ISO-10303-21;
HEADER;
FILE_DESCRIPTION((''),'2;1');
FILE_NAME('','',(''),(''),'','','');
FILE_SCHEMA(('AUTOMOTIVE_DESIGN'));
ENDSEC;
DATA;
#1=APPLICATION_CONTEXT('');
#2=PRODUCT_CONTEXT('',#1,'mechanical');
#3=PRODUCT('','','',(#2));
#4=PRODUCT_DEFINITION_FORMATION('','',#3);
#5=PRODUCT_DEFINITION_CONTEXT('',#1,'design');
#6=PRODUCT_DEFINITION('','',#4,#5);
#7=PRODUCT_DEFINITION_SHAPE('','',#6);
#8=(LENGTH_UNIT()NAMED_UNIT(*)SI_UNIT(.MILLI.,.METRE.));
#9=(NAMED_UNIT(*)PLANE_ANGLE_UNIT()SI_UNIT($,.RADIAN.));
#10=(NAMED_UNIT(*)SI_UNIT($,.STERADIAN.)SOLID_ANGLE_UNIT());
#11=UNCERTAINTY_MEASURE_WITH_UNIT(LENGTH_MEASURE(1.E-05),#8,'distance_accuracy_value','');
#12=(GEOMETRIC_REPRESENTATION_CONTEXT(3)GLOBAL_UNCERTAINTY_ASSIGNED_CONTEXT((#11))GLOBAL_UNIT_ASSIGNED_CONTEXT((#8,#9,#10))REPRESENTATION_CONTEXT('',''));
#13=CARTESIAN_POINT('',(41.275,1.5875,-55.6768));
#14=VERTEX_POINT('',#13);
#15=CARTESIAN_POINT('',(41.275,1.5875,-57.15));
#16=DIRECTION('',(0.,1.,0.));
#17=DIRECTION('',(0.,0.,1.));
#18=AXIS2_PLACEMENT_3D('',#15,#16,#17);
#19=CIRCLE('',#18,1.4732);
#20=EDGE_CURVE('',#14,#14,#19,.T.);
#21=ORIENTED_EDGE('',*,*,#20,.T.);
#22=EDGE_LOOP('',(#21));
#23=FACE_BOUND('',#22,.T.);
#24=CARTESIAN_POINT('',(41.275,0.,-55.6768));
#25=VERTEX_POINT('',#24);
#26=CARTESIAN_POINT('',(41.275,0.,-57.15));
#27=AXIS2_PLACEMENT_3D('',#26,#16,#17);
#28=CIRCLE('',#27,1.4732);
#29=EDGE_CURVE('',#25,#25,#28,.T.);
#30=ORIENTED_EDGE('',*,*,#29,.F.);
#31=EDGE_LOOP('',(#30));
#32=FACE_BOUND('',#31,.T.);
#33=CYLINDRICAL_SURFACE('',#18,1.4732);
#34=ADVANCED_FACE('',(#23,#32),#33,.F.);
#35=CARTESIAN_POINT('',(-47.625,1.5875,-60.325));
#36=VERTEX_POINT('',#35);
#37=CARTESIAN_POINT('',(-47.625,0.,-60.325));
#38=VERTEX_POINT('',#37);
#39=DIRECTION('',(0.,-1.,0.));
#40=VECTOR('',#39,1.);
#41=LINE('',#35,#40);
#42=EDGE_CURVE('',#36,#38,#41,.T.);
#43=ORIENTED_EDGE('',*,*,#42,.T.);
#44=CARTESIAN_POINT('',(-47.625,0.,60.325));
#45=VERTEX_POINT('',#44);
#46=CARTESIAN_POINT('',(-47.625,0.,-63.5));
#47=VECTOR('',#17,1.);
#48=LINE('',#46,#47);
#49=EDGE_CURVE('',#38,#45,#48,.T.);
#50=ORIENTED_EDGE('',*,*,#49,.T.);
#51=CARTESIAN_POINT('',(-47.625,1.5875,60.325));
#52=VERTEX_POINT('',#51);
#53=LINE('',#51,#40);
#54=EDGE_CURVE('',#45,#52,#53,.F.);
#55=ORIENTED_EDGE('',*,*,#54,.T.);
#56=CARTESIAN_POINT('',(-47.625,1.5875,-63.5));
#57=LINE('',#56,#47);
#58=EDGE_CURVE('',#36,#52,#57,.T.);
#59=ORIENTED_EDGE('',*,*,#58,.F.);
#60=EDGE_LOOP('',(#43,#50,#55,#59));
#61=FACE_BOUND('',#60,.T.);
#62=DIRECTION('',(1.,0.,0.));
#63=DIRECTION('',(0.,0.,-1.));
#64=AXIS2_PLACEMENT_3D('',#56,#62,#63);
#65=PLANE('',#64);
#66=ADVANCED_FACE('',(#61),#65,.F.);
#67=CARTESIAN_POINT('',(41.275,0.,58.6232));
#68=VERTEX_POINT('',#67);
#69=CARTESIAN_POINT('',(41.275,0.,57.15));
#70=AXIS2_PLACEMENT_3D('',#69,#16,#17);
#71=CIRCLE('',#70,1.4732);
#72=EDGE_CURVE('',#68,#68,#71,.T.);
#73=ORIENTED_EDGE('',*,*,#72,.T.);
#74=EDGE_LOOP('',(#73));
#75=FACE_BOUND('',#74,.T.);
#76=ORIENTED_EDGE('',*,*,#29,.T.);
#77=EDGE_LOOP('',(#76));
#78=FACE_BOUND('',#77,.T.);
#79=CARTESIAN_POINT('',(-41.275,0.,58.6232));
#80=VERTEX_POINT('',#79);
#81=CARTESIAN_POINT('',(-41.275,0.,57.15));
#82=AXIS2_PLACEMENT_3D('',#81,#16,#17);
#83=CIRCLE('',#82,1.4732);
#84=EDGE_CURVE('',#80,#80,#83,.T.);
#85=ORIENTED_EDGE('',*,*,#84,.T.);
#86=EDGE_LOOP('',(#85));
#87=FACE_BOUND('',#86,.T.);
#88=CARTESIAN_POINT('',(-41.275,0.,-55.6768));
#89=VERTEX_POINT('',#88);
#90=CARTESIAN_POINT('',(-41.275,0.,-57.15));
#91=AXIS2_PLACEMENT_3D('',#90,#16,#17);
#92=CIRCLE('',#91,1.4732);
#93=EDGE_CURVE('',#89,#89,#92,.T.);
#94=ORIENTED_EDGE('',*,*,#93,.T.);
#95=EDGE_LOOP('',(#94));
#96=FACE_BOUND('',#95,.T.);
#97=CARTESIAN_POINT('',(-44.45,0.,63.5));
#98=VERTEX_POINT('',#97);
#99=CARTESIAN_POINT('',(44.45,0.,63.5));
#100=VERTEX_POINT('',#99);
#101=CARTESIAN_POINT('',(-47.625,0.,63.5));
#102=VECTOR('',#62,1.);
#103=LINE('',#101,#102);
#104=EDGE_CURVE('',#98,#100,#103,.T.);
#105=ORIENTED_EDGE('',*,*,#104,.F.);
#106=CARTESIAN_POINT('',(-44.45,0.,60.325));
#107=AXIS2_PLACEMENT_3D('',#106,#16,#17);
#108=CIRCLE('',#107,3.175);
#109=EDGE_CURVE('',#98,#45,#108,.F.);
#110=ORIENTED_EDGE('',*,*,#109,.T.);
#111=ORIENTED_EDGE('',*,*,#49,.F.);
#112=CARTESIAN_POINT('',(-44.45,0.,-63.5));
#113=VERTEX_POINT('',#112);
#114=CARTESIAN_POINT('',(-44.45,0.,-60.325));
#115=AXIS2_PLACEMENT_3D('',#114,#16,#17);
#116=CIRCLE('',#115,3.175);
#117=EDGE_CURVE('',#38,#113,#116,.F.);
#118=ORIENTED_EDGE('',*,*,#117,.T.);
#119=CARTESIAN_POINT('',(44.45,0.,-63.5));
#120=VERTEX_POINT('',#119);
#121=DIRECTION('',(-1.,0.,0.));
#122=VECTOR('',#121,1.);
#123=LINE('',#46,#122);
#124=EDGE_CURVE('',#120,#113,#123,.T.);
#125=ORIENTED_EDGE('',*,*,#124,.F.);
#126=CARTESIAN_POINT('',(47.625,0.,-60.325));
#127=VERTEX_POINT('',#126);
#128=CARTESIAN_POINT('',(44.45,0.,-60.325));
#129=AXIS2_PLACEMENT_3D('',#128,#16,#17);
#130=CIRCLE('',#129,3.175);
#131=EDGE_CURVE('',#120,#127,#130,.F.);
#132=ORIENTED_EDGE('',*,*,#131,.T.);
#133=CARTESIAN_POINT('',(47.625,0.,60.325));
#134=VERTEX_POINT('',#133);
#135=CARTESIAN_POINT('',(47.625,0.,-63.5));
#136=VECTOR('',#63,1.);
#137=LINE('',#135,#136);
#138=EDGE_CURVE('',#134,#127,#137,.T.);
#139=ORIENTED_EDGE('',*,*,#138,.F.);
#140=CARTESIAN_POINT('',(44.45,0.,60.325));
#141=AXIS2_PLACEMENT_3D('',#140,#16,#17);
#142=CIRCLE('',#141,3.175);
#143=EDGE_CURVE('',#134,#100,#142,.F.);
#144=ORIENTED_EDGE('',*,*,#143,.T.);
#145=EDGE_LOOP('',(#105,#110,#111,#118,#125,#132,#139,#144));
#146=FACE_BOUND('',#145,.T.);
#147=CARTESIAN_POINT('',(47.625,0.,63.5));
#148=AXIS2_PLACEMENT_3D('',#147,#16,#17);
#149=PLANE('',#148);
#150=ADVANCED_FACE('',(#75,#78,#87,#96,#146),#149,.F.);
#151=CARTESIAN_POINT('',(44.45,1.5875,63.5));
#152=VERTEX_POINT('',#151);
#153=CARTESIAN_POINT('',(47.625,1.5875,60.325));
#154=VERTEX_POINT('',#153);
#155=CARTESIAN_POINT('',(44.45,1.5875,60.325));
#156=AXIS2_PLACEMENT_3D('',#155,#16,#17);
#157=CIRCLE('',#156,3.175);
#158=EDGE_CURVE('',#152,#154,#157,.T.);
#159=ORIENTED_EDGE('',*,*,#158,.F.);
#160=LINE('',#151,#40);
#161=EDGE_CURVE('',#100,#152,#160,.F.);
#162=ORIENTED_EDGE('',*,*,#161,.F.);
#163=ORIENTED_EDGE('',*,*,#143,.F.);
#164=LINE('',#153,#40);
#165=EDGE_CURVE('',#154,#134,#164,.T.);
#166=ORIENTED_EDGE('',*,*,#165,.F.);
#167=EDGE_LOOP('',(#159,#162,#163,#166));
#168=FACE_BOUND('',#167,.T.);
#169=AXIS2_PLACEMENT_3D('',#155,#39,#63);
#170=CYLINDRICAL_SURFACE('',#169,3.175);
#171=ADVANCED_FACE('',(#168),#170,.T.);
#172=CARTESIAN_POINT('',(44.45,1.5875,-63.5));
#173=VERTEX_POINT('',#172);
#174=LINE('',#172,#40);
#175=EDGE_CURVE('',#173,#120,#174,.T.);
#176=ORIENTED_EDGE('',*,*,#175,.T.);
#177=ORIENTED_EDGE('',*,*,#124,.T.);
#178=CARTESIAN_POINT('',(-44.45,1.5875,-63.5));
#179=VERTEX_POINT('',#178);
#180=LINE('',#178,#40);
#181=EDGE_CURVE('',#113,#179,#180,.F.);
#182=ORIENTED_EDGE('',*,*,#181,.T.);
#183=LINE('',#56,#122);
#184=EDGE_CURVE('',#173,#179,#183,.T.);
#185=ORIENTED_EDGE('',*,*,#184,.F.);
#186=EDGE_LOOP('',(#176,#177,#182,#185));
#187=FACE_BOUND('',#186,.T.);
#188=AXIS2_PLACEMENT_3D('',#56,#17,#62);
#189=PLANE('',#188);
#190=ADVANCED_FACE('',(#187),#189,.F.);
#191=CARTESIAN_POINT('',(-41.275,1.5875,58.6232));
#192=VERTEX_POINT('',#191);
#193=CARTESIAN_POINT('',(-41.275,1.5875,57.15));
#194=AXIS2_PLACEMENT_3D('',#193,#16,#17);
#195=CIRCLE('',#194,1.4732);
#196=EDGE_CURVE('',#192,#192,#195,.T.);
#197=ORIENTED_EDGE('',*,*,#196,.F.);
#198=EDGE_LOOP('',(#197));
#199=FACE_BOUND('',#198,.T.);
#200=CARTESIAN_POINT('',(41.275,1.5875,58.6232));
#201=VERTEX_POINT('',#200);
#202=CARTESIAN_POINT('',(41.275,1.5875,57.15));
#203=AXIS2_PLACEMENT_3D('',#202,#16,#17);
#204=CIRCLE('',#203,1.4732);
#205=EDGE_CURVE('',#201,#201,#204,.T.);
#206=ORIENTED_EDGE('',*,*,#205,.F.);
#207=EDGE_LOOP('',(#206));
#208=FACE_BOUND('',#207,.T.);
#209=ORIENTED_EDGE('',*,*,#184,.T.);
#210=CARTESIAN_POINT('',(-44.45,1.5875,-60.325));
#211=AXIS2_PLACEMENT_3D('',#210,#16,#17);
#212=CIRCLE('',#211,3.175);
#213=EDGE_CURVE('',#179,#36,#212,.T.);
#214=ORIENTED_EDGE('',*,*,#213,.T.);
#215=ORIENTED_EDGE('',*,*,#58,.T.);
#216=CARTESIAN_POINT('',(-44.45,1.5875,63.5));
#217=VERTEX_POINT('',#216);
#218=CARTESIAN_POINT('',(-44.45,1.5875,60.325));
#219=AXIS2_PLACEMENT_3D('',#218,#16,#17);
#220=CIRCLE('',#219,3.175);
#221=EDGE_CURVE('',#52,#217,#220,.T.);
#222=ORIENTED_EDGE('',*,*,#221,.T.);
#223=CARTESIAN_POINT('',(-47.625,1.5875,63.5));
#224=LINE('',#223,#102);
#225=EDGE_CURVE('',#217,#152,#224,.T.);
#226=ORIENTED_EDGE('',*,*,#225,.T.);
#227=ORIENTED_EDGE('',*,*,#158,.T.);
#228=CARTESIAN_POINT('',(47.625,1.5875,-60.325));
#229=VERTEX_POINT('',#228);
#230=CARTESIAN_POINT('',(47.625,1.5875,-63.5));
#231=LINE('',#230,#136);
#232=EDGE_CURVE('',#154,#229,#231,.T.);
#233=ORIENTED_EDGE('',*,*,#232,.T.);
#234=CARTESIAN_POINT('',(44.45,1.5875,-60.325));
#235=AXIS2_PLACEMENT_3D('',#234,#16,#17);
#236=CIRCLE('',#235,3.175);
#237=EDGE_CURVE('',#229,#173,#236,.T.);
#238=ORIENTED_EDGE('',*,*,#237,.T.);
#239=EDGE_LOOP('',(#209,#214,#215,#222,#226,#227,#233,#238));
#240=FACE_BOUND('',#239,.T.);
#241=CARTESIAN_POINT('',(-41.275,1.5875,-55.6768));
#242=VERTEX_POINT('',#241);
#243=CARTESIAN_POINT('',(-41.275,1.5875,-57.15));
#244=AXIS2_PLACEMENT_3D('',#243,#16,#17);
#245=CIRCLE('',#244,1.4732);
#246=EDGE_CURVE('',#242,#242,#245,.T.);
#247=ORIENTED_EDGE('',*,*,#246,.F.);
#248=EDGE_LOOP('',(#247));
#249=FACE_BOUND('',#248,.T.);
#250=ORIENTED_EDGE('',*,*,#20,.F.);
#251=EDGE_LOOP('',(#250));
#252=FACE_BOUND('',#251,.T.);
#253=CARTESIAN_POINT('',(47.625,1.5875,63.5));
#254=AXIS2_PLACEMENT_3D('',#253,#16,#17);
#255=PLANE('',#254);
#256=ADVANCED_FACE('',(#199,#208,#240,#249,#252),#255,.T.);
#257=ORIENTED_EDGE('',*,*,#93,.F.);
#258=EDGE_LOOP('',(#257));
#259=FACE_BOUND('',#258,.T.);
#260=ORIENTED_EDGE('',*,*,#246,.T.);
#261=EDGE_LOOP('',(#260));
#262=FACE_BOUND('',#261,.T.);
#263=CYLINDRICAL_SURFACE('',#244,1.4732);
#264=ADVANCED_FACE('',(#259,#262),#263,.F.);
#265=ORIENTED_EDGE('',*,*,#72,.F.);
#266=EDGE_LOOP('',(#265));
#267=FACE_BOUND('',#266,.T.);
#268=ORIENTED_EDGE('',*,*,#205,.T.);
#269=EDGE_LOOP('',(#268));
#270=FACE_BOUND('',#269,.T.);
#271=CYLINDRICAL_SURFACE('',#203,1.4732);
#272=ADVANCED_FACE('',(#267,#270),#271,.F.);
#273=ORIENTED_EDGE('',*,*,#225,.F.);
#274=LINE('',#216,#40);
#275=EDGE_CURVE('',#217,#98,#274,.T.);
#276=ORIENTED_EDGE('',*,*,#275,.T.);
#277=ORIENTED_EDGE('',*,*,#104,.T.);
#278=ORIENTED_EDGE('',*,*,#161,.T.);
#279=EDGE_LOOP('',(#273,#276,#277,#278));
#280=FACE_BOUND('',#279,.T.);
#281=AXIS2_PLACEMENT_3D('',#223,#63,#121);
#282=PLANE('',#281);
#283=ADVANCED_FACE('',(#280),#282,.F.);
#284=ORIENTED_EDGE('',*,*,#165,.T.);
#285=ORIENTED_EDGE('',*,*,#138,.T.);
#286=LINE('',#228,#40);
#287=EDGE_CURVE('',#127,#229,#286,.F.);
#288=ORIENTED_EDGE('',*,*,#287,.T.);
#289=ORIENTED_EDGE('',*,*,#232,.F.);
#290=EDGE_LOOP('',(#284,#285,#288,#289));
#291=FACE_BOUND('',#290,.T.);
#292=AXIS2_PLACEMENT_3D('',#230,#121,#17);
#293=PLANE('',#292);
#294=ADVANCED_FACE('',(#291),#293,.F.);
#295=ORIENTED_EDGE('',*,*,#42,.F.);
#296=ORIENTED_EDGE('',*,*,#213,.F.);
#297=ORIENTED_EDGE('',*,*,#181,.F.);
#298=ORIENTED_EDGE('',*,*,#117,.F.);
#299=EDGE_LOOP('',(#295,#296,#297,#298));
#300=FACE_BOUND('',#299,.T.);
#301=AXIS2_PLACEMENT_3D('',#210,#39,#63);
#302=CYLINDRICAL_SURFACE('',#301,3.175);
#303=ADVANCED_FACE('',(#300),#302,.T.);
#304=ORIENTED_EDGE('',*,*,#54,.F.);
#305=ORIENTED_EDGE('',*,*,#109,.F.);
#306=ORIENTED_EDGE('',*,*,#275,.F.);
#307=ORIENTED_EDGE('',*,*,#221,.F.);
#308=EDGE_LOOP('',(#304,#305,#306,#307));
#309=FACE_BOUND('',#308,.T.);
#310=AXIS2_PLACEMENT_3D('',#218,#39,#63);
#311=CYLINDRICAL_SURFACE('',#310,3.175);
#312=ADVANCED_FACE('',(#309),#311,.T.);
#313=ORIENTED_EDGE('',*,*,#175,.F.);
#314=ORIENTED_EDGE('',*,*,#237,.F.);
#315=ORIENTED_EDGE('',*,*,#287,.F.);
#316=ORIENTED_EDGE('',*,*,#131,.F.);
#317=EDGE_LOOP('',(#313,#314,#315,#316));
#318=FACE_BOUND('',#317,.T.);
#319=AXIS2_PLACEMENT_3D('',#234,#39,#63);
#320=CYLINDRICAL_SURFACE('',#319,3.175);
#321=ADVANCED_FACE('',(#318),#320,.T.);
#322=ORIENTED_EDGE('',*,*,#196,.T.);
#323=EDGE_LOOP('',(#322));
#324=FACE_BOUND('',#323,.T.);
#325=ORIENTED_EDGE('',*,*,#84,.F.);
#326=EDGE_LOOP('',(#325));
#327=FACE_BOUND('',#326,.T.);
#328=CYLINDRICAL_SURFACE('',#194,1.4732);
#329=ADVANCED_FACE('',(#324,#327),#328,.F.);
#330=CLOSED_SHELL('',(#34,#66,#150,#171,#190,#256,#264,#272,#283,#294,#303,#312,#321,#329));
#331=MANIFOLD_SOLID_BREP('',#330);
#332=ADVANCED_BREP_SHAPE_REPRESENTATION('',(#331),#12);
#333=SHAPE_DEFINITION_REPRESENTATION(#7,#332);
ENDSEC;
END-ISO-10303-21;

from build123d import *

# Parameters (mm, degrees)
SKETCH1_W                 = 95.25
SKETCH1_H                 = 127
BOSS_EXTRUDE1_DEPTH       = 1.5875
F_4_CLEARANCE_HOLE1_D     = 2.9464
F_4_CLEARANCE_HOLE1_DEPTH = 9.652
F_4_CLEARANCE_HOLE1_TIP   = 0.885187864
FILLET1_R                 = 3.175


with BuildPart() as part:
    # Sketch1 → Boss-Extrude1 (new body)
    with BuildSketch(Plane(origin=(0, 0, 0), x_dir=(1, 0, 0), z_dir=(0, 1, 0))):
        Rectangle(SKETCH1_W, SKETCH1_H)
    extrude(amount=BOSS_EXTRUDE1_DEPTH)

    # #4 Clearance Hole1
    with Locations(Plane(origin=(0, 1.5875, 0), x_dir=(-1, 0, 0), z_dir=(0, 1, 0))):
        with Locations((41.275, -57.15), (-41.275, -57.15), (-41.275, 57.15), (41.275, 57.15)):
            Hole(F_4_CLEARANCE_HOLE1_D / 2, depth=F_4_CLEARANCE_HOLE1_DEPTH)
            with Locations((0, 0, -(F_4_CLEARANCE_HOLE1_DEPTH + F_4_CLEARANCE_HOLE1_TIP / 2))):  # 118° drill point
                Cone(0, F_4_CLEARANCE_HOLE1_D / 2, F_4_CLEARANCE_HOLE1_TIP, mode=Mode.SUBTRACT)

    # Fillet1
    fillet1_edges = [part.edges().sort_by_distance(p)[0] for p in [
        (47.625, 0.79375, 63.5),
        (-47.625, 0.79375, 63.5),
        (-47.625, 0.79375, -63.5),
        (47.625, 0.79375, -63.5),
    ]]
    fillet(fillet1_edges, radius=FILLET1_R)


solid = part.part
